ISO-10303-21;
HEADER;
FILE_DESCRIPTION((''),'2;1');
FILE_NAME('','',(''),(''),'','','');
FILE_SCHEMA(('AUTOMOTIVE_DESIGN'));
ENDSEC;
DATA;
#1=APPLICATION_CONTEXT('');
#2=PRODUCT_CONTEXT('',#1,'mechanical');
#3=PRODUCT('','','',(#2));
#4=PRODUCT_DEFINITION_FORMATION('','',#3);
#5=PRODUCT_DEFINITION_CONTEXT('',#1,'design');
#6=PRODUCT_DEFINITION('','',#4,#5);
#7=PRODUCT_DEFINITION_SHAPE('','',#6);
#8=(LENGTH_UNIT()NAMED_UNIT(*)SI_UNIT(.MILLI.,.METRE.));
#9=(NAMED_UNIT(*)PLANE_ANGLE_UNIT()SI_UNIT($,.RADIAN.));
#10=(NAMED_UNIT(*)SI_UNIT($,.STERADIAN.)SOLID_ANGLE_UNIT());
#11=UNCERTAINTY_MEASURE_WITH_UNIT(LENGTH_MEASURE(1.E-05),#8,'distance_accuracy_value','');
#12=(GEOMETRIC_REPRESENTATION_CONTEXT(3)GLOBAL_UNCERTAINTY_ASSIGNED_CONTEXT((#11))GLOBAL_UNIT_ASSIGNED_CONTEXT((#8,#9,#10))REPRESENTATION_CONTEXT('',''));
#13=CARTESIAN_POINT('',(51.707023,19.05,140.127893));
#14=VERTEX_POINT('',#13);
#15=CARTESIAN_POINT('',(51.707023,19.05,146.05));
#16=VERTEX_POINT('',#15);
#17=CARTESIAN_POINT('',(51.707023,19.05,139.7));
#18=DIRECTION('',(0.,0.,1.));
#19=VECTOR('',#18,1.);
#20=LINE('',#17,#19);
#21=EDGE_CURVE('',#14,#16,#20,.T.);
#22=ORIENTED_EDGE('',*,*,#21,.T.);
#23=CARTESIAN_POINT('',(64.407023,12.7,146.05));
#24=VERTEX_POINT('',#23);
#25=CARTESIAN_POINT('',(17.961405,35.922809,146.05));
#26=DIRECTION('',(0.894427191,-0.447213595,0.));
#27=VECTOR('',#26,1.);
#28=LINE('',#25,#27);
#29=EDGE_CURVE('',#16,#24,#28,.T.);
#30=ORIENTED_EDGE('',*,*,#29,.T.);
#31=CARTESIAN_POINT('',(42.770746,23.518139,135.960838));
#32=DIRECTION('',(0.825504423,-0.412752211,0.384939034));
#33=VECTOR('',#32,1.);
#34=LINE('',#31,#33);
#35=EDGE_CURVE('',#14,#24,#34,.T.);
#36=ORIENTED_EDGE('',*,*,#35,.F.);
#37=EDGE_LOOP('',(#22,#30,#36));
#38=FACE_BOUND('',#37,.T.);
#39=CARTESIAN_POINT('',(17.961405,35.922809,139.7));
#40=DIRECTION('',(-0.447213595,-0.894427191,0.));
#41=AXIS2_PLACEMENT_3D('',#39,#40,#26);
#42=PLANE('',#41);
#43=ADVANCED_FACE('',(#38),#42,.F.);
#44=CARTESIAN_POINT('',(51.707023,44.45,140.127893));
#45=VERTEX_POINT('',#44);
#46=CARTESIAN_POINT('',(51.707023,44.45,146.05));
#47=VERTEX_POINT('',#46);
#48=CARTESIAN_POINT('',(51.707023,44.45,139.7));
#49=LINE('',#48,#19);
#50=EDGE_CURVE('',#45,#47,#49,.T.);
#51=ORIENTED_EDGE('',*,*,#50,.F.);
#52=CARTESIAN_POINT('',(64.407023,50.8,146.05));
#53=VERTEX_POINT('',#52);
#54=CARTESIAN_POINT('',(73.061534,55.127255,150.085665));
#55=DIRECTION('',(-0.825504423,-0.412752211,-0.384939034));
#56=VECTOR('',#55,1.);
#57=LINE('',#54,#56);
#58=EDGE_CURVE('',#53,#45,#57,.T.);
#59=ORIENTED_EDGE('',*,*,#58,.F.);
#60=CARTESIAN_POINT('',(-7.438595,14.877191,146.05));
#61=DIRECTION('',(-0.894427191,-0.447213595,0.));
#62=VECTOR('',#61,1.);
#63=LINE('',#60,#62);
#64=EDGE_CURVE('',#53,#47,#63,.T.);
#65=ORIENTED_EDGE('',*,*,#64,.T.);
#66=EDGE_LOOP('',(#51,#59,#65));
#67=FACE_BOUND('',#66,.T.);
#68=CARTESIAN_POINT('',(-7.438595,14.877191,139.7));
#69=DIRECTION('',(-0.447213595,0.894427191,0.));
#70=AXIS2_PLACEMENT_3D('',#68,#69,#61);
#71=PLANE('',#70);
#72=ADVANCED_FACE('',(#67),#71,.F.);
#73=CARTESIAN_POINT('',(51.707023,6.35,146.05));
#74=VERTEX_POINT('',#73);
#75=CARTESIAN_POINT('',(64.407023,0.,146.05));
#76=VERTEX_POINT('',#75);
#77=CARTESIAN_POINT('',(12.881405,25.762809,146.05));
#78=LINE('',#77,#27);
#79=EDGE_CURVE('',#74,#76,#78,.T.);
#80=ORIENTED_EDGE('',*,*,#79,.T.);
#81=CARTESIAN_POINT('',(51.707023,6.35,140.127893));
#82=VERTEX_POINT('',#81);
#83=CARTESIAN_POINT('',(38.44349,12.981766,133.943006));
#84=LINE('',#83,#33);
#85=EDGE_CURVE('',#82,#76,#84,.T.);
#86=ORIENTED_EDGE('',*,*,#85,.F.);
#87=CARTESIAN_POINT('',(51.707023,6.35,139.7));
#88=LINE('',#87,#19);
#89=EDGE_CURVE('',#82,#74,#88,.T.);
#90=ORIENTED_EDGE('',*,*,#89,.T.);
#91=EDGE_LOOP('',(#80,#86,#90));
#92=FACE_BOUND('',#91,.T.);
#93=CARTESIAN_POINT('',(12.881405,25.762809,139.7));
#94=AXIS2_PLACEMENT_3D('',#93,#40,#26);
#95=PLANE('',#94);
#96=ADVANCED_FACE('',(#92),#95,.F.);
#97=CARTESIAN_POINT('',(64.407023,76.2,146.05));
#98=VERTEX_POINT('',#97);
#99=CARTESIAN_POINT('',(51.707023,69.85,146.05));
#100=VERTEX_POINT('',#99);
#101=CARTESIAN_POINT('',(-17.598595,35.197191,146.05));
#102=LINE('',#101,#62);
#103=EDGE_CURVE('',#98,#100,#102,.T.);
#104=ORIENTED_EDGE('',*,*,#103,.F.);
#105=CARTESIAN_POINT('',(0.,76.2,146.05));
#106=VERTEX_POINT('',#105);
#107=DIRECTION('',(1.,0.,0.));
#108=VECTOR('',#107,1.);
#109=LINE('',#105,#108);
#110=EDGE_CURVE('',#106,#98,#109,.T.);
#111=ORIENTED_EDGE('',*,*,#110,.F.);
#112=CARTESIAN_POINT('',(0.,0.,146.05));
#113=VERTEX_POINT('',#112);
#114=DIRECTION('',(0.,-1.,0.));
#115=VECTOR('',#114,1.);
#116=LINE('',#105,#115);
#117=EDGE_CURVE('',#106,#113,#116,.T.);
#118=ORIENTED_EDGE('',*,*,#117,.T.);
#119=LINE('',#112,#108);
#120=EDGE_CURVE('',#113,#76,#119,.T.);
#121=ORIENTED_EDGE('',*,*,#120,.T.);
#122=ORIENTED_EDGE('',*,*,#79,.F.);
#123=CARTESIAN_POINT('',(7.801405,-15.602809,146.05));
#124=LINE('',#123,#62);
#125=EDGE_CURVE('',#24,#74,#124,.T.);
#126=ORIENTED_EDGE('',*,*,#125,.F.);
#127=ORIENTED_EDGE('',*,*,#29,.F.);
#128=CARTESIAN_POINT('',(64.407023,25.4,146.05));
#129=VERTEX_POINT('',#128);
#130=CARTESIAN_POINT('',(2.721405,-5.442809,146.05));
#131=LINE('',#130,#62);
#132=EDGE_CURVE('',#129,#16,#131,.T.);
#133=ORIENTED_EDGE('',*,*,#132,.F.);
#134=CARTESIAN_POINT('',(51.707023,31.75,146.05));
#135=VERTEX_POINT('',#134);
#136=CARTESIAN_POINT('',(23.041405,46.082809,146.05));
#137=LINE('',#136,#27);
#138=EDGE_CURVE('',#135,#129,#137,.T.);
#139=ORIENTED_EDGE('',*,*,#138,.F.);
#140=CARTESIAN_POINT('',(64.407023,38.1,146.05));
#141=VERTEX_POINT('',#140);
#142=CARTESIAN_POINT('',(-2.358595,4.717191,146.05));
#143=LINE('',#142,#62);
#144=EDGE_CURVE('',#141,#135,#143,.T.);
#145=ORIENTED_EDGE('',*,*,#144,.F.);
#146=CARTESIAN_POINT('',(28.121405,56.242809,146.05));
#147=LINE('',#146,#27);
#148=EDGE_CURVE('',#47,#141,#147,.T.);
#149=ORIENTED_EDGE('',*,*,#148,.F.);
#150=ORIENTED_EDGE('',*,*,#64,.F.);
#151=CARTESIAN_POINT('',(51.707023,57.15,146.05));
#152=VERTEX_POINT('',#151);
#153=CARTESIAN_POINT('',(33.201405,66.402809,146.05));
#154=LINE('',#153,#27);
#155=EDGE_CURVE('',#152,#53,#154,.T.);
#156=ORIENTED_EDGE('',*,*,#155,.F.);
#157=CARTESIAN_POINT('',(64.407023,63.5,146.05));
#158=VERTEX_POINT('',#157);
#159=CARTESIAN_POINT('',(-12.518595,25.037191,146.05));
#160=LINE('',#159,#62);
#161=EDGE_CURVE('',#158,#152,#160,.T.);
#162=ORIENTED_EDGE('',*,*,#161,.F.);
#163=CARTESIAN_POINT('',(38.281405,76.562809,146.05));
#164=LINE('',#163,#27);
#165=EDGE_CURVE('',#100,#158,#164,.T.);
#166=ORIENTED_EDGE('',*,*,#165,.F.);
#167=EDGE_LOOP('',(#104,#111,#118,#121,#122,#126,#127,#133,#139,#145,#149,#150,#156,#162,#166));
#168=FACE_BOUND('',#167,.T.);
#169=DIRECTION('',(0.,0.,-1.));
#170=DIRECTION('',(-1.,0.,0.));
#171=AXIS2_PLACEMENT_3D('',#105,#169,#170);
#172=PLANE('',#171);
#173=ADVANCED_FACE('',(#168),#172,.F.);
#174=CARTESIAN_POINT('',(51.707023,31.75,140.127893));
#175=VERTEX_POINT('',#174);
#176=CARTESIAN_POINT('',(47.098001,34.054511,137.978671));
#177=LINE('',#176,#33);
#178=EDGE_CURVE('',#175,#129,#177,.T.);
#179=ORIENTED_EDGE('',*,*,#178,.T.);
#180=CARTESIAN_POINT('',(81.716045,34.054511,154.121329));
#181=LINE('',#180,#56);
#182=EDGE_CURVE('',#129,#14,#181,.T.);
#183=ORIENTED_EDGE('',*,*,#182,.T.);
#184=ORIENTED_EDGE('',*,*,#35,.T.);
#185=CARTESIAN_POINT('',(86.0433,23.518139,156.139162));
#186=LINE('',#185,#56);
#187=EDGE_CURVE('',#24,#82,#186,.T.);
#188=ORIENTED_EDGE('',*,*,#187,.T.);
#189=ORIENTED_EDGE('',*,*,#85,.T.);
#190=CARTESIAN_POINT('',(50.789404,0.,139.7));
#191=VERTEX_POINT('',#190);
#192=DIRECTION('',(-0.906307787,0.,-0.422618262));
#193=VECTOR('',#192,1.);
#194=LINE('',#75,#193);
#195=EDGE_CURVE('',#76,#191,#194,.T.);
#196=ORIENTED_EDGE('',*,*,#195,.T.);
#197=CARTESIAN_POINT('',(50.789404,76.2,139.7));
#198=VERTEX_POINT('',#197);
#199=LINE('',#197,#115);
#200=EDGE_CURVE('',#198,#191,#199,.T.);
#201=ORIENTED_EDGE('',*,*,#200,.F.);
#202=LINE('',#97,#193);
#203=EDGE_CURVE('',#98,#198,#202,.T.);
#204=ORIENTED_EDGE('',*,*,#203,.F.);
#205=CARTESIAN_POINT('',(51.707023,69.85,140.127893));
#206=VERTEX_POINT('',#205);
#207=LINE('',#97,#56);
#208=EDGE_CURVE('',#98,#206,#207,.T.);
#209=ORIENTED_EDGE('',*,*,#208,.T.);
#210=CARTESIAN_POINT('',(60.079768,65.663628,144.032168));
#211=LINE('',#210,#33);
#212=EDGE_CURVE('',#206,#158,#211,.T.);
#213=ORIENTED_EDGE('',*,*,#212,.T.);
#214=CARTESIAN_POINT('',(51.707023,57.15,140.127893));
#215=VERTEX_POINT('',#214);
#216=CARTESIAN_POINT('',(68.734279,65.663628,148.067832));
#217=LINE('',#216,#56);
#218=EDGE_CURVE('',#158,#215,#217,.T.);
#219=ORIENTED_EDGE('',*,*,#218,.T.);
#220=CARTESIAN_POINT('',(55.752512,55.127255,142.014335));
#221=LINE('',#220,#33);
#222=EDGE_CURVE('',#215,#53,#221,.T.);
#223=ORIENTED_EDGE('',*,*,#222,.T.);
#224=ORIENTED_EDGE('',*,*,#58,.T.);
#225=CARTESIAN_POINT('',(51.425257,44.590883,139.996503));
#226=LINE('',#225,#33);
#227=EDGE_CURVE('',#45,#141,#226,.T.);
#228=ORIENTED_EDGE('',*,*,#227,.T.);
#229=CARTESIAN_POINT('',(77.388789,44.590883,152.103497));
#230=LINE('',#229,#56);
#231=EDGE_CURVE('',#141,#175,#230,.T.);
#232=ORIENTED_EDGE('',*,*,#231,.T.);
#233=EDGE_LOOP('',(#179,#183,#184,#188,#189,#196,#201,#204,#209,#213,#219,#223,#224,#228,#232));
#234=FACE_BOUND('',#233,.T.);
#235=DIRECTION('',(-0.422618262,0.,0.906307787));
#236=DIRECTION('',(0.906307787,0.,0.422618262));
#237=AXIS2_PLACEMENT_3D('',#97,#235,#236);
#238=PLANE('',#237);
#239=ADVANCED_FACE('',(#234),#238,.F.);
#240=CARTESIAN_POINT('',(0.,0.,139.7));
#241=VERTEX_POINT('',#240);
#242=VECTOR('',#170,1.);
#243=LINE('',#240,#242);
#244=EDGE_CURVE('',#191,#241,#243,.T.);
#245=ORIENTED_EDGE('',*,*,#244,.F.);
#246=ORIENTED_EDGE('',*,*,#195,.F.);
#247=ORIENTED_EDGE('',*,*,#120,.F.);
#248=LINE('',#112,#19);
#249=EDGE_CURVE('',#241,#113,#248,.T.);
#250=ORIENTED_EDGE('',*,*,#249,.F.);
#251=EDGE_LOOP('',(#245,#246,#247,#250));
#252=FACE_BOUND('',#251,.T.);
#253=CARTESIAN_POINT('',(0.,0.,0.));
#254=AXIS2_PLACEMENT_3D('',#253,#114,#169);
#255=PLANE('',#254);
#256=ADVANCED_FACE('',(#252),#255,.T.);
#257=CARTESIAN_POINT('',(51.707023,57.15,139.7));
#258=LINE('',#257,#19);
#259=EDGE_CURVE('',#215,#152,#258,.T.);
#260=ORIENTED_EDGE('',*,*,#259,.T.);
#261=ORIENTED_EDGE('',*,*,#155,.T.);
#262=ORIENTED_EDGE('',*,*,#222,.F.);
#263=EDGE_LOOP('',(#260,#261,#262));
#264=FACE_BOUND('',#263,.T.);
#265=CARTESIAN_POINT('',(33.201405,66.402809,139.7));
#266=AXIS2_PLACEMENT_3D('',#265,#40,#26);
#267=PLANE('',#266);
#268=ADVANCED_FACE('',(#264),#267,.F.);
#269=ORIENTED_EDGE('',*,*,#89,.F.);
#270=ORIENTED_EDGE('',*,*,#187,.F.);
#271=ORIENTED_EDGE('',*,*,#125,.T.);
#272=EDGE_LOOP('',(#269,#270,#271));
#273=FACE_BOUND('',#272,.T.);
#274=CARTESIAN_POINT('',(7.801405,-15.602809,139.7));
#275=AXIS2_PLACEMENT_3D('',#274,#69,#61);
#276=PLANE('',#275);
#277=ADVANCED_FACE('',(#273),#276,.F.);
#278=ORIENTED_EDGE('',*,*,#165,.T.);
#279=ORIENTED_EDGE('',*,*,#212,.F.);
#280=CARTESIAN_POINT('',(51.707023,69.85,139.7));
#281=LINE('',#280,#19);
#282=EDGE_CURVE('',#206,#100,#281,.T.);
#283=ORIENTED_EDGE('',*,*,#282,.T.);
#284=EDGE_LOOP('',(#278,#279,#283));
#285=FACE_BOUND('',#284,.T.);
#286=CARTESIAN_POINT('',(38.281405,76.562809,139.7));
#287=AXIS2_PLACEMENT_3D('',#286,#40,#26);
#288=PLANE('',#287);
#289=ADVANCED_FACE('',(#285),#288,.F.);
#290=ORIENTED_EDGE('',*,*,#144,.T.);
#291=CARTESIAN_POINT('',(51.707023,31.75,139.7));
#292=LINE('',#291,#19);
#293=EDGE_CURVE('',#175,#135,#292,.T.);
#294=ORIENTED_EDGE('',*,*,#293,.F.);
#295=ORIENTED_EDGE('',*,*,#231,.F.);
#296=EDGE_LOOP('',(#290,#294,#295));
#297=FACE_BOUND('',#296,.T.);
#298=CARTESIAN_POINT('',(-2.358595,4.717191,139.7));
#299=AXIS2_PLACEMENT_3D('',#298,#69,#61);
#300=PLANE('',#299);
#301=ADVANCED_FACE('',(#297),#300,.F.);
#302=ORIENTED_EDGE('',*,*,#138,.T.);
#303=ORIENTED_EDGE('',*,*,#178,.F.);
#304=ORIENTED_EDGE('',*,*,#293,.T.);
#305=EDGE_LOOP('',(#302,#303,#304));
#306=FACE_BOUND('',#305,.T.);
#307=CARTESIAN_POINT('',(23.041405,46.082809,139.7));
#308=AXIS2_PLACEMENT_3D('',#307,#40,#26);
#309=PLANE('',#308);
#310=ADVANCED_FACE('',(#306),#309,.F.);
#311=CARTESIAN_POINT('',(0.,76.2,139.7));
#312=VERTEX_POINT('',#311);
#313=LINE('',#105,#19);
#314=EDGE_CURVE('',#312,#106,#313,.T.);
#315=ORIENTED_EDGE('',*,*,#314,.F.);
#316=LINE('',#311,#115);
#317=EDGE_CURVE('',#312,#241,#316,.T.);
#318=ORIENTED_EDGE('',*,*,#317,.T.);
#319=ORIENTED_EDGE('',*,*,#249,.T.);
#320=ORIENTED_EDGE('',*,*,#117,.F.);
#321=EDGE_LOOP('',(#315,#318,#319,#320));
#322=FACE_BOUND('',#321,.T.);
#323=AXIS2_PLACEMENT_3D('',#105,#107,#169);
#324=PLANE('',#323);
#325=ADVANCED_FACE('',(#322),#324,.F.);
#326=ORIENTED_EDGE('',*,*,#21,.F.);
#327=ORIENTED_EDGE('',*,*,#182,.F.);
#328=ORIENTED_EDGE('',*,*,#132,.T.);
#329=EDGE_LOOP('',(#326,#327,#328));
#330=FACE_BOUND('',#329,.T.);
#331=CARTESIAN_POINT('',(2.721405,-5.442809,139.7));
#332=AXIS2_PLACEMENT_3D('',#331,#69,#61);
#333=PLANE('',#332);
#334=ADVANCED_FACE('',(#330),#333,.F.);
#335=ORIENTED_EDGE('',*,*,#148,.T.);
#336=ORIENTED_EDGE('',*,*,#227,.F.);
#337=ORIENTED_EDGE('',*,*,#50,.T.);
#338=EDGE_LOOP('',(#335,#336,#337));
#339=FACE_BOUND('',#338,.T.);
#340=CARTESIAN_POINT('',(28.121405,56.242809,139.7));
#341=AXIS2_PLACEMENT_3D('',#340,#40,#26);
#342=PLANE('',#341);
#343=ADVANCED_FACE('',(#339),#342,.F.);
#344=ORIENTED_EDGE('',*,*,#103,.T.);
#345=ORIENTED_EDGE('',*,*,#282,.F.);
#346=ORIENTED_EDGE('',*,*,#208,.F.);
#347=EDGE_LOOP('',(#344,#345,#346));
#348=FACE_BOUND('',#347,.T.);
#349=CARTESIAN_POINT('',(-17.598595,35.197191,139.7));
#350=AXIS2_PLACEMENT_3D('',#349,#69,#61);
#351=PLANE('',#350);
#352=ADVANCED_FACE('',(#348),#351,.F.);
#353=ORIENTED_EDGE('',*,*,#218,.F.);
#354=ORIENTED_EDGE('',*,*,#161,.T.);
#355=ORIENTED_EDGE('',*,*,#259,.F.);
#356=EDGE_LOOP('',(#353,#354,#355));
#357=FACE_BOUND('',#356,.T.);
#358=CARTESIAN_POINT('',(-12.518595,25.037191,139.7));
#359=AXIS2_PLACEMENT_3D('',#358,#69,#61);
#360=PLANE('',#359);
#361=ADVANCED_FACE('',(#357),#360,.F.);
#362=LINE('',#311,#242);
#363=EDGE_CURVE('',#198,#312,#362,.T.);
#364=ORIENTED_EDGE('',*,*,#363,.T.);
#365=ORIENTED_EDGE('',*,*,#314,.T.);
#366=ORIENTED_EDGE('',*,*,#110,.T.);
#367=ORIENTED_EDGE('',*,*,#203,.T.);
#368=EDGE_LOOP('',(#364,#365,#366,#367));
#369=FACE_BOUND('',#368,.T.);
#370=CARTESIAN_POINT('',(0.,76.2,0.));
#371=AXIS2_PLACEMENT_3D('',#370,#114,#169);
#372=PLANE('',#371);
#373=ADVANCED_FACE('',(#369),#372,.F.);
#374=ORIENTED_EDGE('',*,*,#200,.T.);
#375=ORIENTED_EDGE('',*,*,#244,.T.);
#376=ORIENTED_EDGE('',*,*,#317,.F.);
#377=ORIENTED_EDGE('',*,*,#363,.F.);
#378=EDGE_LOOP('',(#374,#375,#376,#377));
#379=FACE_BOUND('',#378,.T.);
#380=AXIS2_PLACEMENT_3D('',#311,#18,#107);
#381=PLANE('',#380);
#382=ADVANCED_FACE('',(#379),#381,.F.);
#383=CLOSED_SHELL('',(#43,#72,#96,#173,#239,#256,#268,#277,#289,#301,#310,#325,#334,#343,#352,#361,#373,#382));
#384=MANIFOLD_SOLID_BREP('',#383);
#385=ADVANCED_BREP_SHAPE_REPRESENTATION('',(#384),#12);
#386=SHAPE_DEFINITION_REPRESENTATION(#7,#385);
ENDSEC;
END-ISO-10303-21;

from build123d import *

# Parameters (mm, degrees)
BOSS_EXTRUDE1_DEPTH = 76.2
CUT_EXTRUDE1_DEPTH  = 7.35


with BuildPart() as part:
    # Sketch1 → Boss-Extrude1 (new body)
    with BuildSketch(Plane(origin=(0, 0, 0), x_dir=(1, 0, 0), z_dir=(0, 1, 0))):
        Polygon((0, -146.05), (64.407023089, -146.05), (50.789404144, -139.7), (0, -139.7), align=None)
    extrude(amount=BOSS_EXTRUDE1_DEPTH)

    # Sketch2 → Cut-Extrude1 (cut, through all)
    with BuildSketch(Plane.XY.offset(146.05)):
        Polygon((64.407023089, 0), (64.407023089, 12.7), (51.707023089, 6.35), align=None)
        Polygon((64.407023089, 12.7), (64.407023089, 25.4), (51.707023089, 19.05), align=None)
        Polygon((64.407023089, 25.4), (64.407023089, 38.1), (51.707023089, 31.75), align=None)
        Polygon((64.407023089, 38.1), (64.407023089, 50.8), (51.707023089, 44.45), align=None)
        Polygon((64.407023089, 50.8), (64.407023089, 63.5), (51.707023089, 57.15), align=None)
        Polygon((64.407023089, 63.5), (64.407023089, 76.2), (51.707023089, 69.85), align=None)
    extrude(amount=-CUT_EXTRUDE1_DEPTH, mode=Mode.SUBTRACT)


solid = part.part
